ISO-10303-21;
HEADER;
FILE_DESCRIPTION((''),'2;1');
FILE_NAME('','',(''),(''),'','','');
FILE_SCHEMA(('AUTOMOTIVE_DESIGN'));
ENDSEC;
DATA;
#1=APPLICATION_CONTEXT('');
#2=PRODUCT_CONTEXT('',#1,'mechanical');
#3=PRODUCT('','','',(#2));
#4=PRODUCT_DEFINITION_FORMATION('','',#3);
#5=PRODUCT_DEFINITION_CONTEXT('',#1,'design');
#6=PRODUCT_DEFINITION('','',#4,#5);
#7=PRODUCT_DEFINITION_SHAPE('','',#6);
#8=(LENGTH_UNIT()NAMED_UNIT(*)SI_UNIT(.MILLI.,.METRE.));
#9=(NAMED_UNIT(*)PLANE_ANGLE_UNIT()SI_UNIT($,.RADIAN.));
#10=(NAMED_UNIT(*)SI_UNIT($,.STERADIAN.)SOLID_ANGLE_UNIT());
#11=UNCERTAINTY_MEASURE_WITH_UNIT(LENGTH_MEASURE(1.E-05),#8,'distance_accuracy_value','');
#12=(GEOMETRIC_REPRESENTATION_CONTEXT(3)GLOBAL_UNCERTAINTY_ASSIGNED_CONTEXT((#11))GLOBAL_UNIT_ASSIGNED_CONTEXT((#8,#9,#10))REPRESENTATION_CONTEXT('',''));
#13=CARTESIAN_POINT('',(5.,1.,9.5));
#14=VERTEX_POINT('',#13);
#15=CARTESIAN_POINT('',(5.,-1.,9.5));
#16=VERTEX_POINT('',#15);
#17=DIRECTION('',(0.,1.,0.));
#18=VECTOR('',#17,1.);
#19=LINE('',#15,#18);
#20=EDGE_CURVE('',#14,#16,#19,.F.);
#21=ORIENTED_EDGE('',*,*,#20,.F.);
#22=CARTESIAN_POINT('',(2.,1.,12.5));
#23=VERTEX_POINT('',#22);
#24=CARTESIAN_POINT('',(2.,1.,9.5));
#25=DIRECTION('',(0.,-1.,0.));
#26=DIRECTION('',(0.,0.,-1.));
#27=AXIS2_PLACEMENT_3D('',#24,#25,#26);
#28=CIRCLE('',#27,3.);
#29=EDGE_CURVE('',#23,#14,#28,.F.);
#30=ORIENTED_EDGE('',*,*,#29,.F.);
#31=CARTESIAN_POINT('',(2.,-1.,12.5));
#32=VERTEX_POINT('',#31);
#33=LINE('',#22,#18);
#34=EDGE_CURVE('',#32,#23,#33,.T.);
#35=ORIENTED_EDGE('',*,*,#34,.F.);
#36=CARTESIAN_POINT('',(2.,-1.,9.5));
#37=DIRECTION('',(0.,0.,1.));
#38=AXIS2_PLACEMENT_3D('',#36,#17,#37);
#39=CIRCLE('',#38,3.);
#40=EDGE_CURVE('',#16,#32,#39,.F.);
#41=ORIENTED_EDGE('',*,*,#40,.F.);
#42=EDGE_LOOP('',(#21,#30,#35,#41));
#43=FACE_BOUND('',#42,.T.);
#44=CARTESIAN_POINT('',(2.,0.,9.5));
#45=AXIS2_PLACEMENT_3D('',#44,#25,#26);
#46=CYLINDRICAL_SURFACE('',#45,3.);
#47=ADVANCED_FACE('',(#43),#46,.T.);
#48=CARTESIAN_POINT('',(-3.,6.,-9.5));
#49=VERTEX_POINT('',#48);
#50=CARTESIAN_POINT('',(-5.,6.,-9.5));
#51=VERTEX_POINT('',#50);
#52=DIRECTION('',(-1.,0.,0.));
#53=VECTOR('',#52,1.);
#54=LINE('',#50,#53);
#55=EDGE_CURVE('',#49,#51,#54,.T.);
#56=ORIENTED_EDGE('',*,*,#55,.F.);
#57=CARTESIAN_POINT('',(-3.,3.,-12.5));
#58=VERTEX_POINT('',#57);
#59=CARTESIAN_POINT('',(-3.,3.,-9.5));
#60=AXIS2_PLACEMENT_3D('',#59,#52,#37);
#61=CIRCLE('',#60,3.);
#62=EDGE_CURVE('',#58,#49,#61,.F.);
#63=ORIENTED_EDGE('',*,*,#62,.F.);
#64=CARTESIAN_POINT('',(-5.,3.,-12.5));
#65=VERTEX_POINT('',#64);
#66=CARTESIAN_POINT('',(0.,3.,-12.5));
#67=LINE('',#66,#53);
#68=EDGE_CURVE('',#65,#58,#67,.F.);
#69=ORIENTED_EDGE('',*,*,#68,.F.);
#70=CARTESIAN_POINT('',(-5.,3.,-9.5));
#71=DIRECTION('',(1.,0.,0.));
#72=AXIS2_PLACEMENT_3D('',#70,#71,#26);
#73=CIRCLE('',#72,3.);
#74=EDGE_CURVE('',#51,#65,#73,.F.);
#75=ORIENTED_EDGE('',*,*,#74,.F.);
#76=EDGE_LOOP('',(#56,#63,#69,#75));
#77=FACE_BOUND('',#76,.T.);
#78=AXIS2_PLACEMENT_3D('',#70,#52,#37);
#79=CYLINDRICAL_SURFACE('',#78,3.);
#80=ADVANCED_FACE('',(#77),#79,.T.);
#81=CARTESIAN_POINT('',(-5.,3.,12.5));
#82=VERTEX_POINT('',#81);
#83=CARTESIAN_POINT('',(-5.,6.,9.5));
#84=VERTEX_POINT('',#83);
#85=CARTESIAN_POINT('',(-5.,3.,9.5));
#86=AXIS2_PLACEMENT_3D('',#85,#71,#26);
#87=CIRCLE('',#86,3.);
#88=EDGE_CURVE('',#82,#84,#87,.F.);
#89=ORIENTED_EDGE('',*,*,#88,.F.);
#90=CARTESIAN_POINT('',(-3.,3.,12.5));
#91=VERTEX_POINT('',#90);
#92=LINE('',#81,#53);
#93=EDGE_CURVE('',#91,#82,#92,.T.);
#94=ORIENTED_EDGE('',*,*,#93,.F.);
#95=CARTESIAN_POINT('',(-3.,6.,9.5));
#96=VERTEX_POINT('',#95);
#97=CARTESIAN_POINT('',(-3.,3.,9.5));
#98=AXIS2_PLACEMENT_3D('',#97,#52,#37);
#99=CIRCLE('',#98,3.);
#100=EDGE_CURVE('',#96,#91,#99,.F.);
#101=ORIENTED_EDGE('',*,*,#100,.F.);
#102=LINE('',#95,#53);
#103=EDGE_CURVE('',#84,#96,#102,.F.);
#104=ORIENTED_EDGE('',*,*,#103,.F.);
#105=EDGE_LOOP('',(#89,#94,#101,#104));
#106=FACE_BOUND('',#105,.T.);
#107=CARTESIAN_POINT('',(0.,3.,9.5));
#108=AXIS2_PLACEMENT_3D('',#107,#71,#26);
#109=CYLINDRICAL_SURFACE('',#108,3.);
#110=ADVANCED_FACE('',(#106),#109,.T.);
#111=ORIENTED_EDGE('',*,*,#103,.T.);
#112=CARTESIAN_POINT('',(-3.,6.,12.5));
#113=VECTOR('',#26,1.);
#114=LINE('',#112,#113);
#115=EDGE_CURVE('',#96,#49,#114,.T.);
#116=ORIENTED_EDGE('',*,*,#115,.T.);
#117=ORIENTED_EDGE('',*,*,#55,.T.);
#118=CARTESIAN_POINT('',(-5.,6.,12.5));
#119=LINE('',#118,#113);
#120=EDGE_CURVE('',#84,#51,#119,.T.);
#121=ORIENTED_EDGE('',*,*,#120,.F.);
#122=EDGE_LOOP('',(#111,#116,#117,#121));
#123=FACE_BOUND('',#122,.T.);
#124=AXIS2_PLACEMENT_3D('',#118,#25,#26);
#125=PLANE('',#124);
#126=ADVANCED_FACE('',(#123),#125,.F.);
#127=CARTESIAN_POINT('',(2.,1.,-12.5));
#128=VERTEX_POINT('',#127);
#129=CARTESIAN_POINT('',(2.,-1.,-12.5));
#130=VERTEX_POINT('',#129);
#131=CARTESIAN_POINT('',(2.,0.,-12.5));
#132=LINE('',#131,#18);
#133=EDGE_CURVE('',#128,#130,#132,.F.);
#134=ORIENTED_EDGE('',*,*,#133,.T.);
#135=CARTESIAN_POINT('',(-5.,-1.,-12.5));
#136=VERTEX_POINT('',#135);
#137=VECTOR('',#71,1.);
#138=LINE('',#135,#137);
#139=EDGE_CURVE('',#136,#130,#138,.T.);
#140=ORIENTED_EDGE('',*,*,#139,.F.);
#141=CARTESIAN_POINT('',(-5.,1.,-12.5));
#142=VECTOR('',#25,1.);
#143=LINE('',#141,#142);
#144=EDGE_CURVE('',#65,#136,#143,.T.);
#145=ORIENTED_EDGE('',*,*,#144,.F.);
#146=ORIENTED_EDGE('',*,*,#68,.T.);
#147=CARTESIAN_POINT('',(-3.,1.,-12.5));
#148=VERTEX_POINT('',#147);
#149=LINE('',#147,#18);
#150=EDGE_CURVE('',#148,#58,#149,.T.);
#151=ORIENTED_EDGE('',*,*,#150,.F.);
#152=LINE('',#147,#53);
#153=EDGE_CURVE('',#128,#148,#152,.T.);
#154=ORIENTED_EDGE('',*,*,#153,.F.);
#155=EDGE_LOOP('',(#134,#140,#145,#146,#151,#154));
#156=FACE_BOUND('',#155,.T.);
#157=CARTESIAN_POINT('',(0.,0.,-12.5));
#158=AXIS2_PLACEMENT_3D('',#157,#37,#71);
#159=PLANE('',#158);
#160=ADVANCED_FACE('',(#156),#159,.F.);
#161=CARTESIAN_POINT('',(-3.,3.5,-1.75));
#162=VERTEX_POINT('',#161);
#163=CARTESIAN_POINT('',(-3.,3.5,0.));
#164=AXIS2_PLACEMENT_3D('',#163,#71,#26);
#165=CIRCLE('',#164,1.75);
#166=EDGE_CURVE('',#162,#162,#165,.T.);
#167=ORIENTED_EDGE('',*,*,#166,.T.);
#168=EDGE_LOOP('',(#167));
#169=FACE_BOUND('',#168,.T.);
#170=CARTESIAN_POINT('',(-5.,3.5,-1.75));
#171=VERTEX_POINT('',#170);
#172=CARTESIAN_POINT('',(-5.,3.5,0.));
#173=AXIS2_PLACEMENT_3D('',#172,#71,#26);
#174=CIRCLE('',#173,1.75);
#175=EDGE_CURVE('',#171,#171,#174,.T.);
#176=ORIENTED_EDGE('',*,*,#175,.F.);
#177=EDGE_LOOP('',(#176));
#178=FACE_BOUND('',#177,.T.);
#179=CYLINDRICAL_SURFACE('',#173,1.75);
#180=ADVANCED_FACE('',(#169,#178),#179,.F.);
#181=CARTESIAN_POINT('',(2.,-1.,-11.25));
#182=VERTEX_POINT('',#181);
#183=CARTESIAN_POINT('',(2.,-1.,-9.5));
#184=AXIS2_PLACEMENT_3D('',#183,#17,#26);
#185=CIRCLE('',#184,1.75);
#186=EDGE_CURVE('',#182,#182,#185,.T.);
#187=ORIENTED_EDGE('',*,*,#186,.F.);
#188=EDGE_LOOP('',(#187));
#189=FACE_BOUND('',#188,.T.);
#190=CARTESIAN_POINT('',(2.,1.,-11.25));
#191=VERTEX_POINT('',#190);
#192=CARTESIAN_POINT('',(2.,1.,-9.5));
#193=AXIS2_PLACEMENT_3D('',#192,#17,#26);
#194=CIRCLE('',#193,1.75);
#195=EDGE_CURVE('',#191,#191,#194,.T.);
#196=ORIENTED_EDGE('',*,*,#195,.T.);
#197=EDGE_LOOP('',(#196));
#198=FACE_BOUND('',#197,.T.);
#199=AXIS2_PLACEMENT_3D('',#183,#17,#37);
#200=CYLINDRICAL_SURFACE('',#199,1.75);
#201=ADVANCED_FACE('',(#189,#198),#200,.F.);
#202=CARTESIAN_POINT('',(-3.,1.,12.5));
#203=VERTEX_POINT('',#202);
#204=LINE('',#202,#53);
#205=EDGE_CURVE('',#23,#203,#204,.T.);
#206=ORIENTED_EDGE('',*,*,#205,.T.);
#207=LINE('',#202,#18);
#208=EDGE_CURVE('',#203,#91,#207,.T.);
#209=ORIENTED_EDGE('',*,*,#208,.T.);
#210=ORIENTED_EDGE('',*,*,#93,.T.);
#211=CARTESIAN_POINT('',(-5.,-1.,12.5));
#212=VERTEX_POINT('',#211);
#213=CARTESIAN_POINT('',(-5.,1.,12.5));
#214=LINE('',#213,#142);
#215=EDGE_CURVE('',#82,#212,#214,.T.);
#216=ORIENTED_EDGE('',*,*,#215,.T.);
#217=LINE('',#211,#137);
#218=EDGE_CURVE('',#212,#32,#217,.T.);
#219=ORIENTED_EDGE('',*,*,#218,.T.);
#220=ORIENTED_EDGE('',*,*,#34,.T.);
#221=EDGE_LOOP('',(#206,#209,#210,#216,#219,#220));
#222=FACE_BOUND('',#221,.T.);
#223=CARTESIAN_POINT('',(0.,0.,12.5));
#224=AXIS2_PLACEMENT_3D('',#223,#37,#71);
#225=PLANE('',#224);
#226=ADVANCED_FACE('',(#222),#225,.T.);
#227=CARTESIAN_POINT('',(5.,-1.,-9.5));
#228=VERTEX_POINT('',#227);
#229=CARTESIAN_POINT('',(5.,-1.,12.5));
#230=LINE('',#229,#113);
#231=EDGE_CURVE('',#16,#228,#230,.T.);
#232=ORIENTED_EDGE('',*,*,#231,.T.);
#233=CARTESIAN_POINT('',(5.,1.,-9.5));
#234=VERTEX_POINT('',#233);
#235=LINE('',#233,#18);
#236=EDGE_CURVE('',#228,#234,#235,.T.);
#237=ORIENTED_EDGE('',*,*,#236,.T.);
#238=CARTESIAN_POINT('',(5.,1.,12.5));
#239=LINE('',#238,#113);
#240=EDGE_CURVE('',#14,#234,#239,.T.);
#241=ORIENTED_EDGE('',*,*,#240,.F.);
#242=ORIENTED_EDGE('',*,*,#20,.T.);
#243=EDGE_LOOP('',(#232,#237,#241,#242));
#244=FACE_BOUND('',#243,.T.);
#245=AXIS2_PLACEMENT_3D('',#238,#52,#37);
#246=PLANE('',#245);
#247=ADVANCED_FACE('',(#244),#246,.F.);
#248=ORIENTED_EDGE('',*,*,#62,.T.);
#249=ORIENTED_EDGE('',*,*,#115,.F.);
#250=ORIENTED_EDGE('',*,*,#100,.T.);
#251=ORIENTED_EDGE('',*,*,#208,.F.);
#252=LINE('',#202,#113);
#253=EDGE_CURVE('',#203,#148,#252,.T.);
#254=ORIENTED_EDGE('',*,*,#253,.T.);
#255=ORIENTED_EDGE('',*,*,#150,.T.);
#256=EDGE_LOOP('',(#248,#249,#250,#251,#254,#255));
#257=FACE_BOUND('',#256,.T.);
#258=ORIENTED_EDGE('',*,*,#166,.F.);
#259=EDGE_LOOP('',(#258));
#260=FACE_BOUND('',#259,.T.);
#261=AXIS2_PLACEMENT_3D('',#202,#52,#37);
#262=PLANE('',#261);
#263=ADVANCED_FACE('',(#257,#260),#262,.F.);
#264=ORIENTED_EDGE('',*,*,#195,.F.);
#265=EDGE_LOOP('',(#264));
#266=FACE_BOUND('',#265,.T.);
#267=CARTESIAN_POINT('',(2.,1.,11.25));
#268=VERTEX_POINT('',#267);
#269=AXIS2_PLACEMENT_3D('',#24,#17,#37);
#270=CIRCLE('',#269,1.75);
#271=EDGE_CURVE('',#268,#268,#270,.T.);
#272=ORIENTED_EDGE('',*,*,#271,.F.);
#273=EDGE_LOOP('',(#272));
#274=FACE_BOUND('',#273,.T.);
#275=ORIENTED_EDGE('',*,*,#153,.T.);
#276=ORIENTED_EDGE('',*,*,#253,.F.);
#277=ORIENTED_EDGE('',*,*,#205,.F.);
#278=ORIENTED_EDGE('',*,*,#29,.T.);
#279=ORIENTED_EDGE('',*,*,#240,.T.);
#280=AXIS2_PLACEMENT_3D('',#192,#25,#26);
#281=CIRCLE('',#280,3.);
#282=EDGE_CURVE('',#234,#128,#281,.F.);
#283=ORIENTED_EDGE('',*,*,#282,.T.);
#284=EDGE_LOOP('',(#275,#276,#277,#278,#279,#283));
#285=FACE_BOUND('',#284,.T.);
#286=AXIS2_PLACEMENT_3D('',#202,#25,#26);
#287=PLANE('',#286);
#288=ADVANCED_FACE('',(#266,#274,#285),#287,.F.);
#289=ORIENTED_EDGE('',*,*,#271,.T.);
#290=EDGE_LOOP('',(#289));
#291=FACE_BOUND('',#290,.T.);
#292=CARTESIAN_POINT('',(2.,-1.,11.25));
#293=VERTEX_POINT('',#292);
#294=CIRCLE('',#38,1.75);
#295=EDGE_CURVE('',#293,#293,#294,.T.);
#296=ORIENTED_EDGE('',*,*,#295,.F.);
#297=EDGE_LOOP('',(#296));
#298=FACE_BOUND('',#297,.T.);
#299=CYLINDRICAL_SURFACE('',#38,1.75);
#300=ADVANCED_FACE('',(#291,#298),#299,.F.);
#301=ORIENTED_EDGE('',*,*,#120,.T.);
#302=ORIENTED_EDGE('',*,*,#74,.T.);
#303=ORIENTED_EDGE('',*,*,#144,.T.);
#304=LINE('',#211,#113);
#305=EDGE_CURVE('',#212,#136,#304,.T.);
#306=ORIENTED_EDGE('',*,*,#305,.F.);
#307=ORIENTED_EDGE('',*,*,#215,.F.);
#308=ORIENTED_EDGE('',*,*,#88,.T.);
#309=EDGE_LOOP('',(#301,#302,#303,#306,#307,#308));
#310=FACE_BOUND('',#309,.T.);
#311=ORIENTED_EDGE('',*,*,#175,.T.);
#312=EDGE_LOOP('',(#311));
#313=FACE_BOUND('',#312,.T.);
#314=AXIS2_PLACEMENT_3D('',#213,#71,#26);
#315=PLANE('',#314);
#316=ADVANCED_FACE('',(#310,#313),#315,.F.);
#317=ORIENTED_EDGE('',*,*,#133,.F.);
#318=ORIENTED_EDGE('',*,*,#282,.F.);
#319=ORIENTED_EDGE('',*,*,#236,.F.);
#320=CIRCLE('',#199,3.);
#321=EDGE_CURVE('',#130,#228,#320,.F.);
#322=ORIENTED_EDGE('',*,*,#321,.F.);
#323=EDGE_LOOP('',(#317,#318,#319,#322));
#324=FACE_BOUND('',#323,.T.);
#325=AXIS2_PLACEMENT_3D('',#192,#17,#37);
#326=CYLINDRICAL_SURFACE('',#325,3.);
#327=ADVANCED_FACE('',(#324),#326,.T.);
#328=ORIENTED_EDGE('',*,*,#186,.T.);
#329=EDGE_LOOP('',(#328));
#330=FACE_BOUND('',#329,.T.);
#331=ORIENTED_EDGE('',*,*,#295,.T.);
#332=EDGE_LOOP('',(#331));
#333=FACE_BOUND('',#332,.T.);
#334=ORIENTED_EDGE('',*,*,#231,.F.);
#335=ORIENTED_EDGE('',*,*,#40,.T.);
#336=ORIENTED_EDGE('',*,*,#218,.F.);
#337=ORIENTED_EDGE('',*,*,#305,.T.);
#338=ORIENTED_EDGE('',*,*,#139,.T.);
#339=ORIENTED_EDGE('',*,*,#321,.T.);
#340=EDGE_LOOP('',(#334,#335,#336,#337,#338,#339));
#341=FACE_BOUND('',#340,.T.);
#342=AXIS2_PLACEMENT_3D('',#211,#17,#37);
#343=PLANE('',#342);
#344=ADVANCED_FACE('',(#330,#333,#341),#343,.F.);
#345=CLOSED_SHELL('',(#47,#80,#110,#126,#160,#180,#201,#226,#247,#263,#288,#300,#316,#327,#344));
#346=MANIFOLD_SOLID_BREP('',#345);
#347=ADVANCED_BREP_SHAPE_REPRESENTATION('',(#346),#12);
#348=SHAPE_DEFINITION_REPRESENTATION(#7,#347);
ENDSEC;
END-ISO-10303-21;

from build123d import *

# Parameters (mm, degrees)
BOSS_EXTRUDE1_DEPTH = 12.5
FILLET1_R           = 3
SKETCH2_R           = 1.75
CUT_EXTRUDE1_DEPTH  = 15.361406616
SKETCH3_R           = 1.75
CUT_EXTRUDE2_DEPTH  = 17.007810594


with BuildPart() as part:
    # Sketch1 → Boss-Extrude1 (new, symmetric)
    with BuildSketch(Plane.XY):
        Polygon((-3, 1), (5, 1), (5, -1), (-5, -1), (-5, 1), (-5, 6), (-3, 6), align=None)
    extrude(amount=BOSS_EXTRUDE1_DEPTH, both=True)

    # Fillet1
    fillet1_edges = [part.edges().sort_by_distance(p)[0] for p in [
        (5, 0, -12.5),
        (-4, 6, 12.5),
        (5, 0, 12.5),
        (-4, 6, -12.5),
    ]]
    fillet(fillet1_edges, radius=FILLET1_R)

    # Sketch2 → Cut-Extrude1 (cut, through all)
    with BuildSketch(Plane(origin=(0, 1, 0), x_dir=(1, 0, 0), z_dir=(0, 1, 0))):
        with Locations(Location((2, -9.5, 0), (0, 0, 270))):
            Circle(SKETCH2_R)
        with Locations(Location((2, 9.5, 0), (0, 0, 90))):
            Circle(SKETCH2_R)
    extrude(amount=-CUT_EXTRUDE1_DEPTH, mode=Mode.SUBTRACT)

    # Sketch3 → Cut-Extrude2 (cut, through all)
    with BuildSketch(Plane(origin=(-3, 0, 0), x_dir=(0, 0, -1), z_dir=(1, 0, 0))):
        with Locations((0, 3.5)):
            Circle(SKETCH3_R)
    extrude(amount=-CUT_EXTRUDE2_DEPTH, mode=Mode.SUBTRACT)


solid = part.part
